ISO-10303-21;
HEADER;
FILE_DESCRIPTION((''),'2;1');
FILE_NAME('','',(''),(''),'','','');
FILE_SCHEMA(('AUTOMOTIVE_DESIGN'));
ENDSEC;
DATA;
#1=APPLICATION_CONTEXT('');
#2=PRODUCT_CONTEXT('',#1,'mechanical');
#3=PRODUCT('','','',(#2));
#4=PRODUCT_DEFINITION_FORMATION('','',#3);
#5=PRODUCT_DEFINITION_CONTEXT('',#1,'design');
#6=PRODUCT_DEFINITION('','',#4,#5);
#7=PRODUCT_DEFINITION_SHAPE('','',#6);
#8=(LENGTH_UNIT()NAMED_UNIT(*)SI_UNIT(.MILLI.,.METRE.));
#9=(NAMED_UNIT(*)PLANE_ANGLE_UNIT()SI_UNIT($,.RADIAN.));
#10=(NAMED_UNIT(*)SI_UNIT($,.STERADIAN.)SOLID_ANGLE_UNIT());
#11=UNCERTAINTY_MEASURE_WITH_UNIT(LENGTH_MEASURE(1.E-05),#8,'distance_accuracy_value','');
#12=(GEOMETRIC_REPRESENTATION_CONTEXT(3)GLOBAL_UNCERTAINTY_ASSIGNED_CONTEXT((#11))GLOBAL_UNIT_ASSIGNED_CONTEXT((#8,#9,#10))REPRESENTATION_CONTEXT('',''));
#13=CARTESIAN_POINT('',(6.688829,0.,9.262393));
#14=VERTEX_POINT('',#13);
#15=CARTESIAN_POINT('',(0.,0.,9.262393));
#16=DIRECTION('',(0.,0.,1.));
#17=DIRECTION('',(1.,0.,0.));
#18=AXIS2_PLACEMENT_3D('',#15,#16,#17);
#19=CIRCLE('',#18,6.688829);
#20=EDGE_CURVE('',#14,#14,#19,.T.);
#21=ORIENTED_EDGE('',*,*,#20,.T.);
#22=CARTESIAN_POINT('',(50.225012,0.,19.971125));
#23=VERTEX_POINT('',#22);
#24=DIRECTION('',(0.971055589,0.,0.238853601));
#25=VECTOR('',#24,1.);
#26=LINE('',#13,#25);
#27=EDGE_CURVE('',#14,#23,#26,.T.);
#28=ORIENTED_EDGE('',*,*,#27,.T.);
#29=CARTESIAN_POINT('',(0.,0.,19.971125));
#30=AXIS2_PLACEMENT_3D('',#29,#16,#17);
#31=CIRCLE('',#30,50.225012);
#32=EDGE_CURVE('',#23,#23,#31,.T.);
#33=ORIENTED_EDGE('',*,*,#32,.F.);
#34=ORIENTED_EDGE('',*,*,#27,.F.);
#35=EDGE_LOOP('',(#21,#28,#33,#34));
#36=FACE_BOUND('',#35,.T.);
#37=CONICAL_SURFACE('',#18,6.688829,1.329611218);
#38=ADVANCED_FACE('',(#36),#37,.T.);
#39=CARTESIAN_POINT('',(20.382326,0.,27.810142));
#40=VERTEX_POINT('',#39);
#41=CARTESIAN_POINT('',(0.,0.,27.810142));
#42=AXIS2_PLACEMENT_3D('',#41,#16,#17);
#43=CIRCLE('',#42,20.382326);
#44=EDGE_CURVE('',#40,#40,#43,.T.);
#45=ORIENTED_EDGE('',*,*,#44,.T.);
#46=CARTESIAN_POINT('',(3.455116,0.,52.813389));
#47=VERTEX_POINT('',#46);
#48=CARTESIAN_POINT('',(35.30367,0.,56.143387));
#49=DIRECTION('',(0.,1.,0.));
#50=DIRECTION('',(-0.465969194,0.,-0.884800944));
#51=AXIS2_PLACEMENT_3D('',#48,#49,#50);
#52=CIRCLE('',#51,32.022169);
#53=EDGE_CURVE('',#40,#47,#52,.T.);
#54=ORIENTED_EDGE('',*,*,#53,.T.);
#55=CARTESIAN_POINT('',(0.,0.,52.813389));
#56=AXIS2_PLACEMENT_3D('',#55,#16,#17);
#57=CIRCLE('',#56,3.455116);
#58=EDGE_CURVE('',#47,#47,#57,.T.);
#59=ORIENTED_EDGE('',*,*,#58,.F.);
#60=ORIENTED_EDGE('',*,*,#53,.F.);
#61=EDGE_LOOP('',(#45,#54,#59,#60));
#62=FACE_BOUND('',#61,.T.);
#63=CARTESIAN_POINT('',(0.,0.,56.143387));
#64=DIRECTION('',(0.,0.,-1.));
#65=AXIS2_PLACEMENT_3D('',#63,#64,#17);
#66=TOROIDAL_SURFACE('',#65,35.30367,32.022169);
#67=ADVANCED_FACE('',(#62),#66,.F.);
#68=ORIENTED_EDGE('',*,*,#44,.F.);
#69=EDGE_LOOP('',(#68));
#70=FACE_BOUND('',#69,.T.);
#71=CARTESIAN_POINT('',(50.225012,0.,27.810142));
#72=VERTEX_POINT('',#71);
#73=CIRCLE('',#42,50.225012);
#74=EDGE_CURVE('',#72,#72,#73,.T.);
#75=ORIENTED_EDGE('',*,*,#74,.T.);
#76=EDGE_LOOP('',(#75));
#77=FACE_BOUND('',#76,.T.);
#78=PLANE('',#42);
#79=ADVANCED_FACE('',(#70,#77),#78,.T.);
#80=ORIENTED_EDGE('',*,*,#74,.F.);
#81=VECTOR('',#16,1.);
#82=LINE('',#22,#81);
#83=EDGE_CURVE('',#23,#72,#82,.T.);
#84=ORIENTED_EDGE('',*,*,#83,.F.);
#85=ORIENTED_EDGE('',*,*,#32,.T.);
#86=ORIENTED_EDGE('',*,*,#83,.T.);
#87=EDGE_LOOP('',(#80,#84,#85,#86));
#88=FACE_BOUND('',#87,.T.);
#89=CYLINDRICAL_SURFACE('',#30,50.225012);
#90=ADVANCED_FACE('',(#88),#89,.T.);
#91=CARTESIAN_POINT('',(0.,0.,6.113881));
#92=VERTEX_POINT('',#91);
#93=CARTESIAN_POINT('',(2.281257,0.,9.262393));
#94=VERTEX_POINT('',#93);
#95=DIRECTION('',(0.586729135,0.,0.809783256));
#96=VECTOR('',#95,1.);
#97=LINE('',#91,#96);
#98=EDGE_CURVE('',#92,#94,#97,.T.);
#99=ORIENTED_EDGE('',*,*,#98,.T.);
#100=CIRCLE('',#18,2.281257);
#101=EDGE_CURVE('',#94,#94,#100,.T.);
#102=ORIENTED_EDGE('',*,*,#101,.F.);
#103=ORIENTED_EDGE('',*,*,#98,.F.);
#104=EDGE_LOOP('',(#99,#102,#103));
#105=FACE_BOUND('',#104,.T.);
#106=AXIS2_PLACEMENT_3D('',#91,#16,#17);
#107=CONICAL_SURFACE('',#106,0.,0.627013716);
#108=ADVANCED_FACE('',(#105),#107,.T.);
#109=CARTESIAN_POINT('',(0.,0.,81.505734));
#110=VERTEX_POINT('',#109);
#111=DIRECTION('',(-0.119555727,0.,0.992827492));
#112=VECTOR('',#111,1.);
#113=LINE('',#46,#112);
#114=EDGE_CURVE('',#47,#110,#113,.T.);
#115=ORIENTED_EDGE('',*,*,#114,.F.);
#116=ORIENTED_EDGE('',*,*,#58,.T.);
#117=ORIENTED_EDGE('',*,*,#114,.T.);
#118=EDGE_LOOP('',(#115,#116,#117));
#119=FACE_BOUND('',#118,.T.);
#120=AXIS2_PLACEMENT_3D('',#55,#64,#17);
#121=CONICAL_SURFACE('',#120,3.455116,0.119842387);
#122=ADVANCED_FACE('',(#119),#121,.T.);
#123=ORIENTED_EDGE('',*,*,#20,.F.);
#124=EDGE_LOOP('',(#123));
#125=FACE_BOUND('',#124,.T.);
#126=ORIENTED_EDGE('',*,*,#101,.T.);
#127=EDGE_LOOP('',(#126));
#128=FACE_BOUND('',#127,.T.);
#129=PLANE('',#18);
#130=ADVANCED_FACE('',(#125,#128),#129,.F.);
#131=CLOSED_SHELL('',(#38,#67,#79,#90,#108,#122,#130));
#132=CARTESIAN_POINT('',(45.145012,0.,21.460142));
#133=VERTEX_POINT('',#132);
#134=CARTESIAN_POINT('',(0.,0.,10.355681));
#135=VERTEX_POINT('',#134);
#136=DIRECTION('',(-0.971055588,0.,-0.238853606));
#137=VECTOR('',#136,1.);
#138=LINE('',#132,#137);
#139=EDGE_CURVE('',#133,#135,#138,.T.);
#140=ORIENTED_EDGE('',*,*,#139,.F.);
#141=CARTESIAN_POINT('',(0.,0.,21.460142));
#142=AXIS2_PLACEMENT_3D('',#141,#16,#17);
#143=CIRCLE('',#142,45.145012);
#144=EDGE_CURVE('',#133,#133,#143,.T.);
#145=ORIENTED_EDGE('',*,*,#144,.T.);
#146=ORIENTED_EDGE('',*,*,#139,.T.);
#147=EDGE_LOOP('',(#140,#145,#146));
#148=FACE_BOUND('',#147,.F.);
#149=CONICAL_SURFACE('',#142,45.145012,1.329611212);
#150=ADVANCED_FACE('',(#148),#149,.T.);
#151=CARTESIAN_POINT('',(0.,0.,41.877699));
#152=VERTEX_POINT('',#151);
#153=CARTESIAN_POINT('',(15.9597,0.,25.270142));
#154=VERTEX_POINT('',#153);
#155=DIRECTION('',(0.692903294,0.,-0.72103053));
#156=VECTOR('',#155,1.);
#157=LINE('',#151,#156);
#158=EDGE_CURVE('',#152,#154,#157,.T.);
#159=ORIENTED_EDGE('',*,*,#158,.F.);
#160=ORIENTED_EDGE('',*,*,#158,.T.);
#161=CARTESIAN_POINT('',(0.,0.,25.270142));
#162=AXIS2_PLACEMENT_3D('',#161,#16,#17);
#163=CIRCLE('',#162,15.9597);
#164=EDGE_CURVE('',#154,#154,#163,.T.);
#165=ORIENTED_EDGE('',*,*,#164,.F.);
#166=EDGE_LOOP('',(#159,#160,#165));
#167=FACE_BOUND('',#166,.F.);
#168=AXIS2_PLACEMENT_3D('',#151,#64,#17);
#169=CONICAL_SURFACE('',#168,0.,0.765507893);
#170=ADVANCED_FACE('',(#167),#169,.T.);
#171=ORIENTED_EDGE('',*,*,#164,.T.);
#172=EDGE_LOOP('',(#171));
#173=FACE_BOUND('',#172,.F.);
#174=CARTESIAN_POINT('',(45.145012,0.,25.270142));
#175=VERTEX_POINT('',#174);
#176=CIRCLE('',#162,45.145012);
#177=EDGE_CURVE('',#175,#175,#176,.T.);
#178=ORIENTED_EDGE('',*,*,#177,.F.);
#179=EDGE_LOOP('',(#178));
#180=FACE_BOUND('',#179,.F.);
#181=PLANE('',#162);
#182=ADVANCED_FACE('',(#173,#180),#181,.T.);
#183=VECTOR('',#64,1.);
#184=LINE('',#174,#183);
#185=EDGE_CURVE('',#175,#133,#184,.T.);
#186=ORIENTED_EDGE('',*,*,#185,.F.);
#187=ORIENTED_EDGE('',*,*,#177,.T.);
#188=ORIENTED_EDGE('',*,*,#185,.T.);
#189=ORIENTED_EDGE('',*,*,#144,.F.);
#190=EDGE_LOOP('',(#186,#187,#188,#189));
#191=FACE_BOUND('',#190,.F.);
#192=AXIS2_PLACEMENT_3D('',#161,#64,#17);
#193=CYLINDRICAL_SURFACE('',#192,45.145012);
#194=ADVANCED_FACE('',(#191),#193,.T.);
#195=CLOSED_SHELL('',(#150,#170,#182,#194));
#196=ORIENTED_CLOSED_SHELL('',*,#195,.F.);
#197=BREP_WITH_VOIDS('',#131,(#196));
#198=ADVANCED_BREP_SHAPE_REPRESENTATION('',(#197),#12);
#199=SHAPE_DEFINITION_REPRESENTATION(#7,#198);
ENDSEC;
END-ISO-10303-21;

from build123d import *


with BuildPart() as f1:
    # F0 (on Front) → F1 (revolve)
    with BuildSketch(Plane.XZ):
        with BuildLine():
            Line((2.281257, 9.262393), (6.688829, 9.262393))
            Line((6.688829, 9.262393), (50.225012, 19.971125))
            Line((50.225012, 19.971125), (50.225012, 27.810142))
            Line((50.225012, 27.810142), (20.382326, 27.810142))
            ThreePointArc((20.382326, 27.810142), (8.786762, 38.191427), (3.455116, 52.813389))
            Line((3.455116, 52.813389), (0, 81.505734))
            Line((0, 81.505734), (0, 53.7535))
            Line((0, 53.7535), (0, 41.877699))
            Line((0, 41.877699), (15.9597, 25.270142))
            Line((15.9597, 25.270142), (45.145012, 25.270142))
            Line((45.145012, 25.270142), (45.145012, 21.460142))
            Line((45.145012, 21.460142), (0, 10.355681))
            Line((0, 10.355681), (0, 6.113881))
            Line((0, 6.113881), (2.281257, 9.262393))
        make_face()
    revolve(axis=Axis((0, 0, 47.815599), (0, 0, 1)))


solid = f1.part
